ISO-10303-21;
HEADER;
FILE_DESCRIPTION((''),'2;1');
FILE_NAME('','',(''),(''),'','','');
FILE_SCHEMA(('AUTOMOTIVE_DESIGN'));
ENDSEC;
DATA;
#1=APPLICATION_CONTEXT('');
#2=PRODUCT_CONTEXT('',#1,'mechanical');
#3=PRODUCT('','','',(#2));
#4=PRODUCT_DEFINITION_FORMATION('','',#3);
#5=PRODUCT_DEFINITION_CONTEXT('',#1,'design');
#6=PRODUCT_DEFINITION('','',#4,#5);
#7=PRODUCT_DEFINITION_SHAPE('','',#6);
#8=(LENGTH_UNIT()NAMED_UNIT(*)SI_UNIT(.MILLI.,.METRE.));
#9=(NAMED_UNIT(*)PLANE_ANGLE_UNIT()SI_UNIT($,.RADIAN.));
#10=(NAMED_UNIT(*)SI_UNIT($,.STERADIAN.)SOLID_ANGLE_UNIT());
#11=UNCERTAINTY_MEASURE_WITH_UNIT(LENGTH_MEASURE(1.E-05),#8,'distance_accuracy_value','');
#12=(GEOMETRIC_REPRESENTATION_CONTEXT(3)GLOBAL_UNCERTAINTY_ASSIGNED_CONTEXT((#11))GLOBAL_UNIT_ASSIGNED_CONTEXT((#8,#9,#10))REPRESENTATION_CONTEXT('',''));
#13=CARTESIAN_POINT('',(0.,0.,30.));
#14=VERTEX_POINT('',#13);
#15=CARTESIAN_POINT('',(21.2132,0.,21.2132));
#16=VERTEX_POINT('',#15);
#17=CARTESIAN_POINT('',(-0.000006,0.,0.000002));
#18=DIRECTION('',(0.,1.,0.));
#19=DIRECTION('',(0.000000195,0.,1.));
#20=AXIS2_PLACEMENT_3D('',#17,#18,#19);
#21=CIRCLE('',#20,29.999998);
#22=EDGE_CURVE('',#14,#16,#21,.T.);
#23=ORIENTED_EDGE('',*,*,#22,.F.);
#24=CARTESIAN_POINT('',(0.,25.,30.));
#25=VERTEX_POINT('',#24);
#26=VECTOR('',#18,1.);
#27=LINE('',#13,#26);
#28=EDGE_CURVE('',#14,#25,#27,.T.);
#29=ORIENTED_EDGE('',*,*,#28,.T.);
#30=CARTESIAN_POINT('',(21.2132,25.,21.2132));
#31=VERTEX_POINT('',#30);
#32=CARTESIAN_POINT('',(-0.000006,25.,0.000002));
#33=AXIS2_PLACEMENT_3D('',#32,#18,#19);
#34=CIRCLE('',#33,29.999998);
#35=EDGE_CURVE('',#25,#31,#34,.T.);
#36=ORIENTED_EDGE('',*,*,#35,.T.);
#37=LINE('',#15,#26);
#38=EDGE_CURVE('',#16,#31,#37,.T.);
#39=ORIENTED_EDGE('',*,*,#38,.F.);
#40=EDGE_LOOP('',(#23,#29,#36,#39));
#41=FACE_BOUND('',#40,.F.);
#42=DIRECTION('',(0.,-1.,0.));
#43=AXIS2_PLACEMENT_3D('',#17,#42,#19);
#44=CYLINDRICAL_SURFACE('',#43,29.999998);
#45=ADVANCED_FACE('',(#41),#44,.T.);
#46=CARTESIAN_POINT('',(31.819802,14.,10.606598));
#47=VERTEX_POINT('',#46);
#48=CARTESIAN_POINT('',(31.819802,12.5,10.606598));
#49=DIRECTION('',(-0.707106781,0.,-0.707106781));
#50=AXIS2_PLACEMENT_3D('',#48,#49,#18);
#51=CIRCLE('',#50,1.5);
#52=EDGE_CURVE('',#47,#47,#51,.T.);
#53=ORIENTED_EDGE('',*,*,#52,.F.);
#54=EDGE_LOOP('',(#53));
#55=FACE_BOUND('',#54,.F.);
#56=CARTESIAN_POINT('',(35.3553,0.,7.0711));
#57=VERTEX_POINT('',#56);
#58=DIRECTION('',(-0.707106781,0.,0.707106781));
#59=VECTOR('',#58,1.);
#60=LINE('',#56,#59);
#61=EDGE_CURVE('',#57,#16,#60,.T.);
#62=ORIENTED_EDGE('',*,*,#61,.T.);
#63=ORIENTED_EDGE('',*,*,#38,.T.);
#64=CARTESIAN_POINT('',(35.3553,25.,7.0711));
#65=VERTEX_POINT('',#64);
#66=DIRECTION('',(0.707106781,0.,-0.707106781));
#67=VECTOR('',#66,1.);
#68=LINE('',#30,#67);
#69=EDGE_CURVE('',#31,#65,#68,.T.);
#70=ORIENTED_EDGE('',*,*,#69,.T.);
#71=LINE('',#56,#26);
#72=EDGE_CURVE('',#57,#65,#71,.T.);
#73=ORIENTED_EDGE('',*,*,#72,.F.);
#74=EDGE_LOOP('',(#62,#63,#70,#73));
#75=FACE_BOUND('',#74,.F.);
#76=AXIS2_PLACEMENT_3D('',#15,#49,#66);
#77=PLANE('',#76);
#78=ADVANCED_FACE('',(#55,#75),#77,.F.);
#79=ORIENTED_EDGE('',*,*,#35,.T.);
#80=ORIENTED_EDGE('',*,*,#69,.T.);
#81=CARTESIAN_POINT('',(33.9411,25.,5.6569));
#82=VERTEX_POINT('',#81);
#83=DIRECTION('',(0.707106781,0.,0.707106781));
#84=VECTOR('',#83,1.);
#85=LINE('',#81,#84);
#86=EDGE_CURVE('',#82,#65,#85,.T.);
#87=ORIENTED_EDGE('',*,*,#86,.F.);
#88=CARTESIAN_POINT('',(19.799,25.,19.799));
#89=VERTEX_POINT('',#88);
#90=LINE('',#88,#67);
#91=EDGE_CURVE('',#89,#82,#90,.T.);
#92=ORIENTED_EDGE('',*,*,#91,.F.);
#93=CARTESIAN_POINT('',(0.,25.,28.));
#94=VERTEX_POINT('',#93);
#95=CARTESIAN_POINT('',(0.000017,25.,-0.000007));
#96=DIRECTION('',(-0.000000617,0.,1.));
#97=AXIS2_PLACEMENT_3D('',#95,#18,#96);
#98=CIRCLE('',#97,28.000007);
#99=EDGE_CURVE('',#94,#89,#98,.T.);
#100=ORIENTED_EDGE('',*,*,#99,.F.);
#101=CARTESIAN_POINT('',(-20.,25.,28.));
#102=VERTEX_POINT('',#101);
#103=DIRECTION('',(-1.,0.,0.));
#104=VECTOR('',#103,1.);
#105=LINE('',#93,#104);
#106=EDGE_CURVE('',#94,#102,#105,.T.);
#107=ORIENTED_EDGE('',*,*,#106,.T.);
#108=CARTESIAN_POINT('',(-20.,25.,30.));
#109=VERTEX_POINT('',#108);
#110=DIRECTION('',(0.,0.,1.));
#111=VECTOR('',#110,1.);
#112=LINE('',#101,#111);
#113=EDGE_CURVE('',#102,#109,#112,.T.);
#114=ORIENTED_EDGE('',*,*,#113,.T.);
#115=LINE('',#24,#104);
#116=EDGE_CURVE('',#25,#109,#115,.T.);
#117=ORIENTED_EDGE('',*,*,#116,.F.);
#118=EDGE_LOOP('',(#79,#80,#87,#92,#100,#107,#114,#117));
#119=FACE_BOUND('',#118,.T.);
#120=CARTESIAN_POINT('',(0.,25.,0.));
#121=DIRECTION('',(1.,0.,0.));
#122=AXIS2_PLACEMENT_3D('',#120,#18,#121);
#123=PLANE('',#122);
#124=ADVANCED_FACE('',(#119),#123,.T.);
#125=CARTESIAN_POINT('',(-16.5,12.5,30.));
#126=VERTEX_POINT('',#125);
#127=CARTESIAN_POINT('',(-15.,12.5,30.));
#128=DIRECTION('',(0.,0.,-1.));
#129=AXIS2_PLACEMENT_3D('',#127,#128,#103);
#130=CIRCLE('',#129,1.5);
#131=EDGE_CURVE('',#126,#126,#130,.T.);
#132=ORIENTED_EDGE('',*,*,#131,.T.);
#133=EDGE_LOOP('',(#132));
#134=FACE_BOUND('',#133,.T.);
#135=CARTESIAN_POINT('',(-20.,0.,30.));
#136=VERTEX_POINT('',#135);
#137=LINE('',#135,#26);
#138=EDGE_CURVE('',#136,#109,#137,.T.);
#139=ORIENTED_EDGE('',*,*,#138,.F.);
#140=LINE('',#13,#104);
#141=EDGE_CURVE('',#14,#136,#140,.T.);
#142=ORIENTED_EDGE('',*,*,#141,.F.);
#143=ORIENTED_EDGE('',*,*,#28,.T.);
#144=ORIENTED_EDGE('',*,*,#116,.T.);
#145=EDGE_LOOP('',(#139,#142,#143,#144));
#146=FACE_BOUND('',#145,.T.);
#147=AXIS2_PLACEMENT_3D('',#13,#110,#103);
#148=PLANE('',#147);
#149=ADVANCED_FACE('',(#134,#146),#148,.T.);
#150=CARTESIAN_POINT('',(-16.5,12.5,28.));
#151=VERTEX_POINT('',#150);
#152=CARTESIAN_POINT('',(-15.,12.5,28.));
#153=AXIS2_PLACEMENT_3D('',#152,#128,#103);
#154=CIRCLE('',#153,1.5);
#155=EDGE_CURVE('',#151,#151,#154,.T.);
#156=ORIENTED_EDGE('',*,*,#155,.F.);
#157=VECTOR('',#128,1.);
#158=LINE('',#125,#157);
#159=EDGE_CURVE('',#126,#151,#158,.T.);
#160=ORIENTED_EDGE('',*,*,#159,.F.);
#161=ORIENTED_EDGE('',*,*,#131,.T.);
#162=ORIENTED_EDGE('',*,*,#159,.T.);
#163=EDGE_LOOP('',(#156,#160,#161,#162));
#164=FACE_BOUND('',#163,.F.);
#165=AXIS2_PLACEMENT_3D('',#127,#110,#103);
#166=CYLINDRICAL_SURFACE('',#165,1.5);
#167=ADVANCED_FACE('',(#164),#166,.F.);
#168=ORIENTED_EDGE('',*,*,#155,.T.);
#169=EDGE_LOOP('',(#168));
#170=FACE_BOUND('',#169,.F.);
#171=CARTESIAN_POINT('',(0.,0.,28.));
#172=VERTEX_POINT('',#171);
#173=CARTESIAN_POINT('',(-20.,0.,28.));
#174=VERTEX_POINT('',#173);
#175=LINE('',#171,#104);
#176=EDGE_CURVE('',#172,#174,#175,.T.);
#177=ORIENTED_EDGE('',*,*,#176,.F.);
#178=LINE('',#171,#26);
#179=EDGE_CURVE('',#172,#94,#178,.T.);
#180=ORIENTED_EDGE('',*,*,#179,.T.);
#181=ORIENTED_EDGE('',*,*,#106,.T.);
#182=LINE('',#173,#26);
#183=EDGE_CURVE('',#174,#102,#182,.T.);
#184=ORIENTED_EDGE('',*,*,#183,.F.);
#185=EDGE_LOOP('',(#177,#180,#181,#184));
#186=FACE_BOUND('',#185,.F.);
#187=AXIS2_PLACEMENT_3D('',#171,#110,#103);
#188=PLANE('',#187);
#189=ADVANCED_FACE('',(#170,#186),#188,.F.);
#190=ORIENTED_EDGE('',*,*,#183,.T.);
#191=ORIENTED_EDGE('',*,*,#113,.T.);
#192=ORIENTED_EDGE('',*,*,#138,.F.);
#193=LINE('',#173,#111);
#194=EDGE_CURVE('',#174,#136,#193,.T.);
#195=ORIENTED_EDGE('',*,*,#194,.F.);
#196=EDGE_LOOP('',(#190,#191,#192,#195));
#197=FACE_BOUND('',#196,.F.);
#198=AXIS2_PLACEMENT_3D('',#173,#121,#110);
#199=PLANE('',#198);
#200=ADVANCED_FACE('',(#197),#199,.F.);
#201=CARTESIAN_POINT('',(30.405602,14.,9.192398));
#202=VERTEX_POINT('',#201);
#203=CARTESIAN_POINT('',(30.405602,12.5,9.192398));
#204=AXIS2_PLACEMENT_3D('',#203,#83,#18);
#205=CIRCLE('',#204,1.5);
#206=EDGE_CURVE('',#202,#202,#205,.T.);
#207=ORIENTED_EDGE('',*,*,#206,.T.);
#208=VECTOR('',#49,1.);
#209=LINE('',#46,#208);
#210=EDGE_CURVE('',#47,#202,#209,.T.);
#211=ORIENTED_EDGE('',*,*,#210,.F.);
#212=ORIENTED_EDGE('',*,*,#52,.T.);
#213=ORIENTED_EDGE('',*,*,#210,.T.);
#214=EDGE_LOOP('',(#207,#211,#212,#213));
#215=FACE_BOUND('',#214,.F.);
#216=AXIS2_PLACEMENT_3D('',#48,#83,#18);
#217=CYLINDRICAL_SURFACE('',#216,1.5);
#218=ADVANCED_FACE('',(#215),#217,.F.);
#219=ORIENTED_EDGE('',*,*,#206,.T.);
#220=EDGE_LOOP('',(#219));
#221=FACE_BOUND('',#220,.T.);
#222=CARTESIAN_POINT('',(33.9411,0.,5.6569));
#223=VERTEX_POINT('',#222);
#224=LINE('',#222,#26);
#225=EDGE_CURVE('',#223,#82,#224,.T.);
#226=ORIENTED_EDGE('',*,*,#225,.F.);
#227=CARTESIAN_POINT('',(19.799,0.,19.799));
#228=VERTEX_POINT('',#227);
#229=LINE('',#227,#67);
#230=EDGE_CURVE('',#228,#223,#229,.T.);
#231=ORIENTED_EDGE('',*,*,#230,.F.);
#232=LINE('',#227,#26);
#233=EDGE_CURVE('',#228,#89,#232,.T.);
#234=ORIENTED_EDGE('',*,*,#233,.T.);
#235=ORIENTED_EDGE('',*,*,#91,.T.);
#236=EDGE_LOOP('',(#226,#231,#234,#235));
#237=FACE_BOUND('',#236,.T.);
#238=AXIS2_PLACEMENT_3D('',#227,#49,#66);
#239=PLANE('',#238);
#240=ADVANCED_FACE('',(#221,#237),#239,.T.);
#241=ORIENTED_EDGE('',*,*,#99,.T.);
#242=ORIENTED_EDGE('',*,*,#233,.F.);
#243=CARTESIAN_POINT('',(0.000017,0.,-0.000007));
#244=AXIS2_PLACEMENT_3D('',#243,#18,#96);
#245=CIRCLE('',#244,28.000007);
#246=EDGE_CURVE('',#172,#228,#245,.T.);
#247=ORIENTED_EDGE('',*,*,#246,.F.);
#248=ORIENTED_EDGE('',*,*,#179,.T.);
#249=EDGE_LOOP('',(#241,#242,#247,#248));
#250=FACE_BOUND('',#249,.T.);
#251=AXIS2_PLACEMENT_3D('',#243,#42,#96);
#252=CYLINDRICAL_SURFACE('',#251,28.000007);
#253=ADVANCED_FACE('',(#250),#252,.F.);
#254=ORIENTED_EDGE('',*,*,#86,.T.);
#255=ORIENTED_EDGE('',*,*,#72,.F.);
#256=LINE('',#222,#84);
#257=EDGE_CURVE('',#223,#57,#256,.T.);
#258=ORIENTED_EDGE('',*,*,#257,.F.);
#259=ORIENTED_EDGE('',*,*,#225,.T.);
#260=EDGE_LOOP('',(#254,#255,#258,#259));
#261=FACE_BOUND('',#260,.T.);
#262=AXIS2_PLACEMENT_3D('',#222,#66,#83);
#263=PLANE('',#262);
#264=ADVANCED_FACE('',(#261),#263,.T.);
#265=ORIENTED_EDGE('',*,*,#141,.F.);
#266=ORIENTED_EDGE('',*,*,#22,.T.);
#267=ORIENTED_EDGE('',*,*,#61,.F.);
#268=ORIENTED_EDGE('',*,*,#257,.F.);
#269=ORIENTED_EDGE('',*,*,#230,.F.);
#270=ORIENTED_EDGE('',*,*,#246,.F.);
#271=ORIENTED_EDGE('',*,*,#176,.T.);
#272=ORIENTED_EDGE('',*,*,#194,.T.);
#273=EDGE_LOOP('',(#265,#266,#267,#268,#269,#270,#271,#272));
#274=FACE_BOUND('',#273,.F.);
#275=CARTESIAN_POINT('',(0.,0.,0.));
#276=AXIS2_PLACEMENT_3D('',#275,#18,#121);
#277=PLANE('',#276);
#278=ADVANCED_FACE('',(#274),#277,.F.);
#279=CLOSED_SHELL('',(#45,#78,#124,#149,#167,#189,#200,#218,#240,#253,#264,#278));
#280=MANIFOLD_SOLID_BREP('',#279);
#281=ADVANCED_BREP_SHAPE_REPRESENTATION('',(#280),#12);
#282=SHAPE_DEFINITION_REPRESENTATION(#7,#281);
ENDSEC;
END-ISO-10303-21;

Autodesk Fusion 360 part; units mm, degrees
sketch "Cross-section" plane through (0, 0, 0) normal (0, 1, 0) x (1, 0, 0)
  line L0 (0, 0) -> (0, -30) construction
  line L1 (0, 0) -> (21.2132, -21.2132) construction
  arc A0 (0, -30) -> (21.2132, -21.2132) centre (0, 0) ccw
  line L2 (0, -30) -> (-20, -30)
  line L3 (21.2132, -21.2132) -> (35.3553, -7.0711)
  line L4 (19.799, -19.799) -> (33.9411, -5.6569)
  arc A1 (0, -28) -> (19.799, -19.799) centre (0, 0) ccw
  line L5 (0, -28) -> (-20, -28)
  line L6 (-20, -28) -> (-20, -30)
  line L7 (33.9411, -5.6569) -> (35.3553, -7.0711)
  line L8 (0, -29) -> (-15, -29)
  line L9 (21.2132, -21.2132) -> (31.8198, -10.6066)
  dimension "d1" = 60
  dimension "d2" = 45
  dimension "d3" = 20
  dimension "d4" = 20
  dimension "d5" = -2
  dimension "d8" = 15
  dimension "d9" = 15
extrude "Extrude1" add sketch "Cross-section" along normal blind 25
sketch "Mounting_hole_1" plane through (0, 0, 30) normal (0, 0, 1) x (-1, 0, 0)
  line L0 (20, 0) -> (0, 0)
  line L1 (0, 0) -> (0, -25)
  line L2 (0, -25) -> (20, -25)
  line L3 (20, -25) -> (20, 0)
  line L4 (0, -12.5) -> (15, -12.5)
  circle A0 centre (15, -12.5) radius 1.5
  dimension "d10" = 15
  dimension "d11" = 3
extrude "Extrude2" cut sketch "Mounting_hole_1" against normal blind 6 contours A0
sketch "Mounting_hole_2" plane through (21.2132, 0, 21.2132) normal (0.7071, 0, 0.7071) x (0, 1, 0)
  line L0 (0, 0) -> (0, -20)
  line L1 (0, -20) -> (25, -20)
  line L2 (25, -20) -> (25, 0)
  line L3 (25, 0) -> (0, 0)
  line L4 (12.5, 0) -> (12.5, -15)
  circle A0 centre (12.5, -15) radius 1.5
  dimension "d14" = 15
  dimension "d15" = 3
extrude "Extrude3" cut sketch "Mounting_hole_2" against normal blind 8 contours A0
